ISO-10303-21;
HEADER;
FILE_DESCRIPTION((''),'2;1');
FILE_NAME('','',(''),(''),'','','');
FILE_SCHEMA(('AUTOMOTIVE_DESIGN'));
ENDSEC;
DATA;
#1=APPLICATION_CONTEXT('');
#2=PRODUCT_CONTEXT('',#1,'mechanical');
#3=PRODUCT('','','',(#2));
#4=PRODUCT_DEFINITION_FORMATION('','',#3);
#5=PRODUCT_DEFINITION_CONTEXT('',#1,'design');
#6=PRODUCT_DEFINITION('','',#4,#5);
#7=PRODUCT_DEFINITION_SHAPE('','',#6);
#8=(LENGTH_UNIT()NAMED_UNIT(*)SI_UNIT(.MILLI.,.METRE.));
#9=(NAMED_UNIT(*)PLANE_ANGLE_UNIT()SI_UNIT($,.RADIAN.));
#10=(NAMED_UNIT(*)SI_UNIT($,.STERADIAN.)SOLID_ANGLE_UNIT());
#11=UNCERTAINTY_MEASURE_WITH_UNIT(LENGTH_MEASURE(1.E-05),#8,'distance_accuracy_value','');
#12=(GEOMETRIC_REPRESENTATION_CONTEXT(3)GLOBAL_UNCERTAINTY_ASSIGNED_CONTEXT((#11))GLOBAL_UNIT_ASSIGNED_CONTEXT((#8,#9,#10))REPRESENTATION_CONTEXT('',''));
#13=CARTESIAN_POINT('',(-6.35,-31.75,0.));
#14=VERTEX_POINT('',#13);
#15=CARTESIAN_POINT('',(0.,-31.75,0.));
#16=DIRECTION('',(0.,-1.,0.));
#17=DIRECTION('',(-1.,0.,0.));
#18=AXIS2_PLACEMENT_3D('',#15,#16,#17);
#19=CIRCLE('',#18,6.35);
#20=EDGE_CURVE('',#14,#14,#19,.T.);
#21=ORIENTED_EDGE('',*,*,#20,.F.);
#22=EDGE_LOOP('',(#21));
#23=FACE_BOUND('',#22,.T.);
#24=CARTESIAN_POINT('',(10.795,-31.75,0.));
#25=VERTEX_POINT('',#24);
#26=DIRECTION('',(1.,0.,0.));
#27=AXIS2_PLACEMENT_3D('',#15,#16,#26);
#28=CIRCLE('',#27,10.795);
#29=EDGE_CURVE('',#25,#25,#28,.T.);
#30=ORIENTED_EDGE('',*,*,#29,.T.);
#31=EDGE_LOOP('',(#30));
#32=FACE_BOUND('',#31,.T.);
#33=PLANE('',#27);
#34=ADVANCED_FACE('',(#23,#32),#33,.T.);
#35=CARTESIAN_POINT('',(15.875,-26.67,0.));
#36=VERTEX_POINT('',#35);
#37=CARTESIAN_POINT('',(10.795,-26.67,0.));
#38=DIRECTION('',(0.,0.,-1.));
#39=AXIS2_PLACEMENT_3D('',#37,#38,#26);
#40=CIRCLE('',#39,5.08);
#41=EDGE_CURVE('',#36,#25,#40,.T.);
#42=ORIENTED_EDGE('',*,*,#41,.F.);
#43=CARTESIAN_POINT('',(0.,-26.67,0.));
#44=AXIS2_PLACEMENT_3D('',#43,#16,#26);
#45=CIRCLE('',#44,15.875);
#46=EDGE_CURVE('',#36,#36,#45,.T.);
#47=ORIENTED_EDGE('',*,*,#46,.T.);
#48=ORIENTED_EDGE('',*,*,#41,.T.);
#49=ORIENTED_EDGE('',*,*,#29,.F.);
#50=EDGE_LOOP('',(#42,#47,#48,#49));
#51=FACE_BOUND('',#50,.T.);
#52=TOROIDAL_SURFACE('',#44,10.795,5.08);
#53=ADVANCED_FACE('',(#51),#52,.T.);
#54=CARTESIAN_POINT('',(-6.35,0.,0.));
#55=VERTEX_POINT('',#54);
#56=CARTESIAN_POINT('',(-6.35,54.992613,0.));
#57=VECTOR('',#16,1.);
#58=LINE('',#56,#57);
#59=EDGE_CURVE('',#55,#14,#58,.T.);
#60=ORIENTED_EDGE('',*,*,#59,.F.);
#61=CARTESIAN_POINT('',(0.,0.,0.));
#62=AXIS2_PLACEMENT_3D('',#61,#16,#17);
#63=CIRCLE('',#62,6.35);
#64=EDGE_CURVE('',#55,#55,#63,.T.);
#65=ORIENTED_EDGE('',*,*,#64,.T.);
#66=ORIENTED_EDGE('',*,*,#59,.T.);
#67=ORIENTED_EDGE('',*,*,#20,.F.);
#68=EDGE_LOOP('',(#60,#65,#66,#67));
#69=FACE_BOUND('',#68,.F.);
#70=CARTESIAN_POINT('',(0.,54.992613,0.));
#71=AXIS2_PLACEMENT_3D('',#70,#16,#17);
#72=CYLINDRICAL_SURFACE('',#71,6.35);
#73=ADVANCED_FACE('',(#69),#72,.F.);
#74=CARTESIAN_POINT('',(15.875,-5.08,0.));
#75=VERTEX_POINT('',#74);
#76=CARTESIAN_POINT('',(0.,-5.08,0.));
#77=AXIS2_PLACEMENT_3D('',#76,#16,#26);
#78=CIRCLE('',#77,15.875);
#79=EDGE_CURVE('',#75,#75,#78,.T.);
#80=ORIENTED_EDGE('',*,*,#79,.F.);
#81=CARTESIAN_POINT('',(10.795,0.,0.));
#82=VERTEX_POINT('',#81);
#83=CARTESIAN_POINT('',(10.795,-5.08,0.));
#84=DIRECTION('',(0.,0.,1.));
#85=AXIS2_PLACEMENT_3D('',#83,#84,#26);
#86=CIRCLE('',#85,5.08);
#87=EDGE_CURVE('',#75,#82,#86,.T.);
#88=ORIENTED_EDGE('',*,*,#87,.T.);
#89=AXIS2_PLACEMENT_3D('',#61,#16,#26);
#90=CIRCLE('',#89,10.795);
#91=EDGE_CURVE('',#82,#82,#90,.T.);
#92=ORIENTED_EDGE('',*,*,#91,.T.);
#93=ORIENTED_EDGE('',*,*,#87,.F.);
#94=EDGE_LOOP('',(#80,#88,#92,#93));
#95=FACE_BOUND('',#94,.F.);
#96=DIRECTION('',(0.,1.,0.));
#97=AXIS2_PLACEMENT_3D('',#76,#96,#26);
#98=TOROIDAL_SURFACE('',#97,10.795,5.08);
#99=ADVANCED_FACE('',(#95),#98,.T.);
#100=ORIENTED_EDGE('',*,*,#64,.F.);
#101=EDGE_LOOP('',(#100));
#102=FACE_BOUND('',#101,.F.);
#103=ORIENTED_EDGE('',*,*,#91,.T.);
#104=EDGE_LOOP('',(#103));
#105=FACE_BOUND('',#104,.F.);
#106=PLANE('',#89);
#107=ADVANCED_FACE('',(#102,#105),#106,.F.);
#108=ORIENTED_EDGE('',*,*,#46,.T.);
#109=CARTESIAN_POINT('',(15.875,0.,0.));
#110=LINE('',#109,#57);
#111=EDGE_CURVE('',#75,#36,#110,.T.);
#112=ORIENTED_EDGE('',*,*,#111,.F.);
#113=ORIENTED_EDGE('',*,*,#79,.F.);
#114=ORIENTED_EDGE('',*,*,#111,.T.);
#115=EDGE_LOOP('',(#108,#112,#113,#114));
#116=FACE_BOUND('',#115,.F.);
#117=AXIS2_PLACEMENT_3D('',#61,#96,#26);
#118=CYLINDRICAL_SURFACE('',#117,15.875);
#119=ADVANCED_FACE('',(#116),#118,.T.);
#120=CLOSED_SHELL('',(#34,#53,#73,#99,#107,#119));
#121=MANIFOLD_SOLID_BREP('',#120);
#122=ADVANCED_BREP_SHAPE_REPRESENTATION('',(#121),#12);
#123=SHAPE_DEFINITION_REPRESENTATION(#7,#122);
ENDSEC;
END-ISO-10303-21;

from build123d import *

# Parameters (mm, degrees)
F0_R     = 15.875
F1_DEPTH = 31.75
F3_D     = 12.7
F4_R     = 5.08


with BuildPart() as f1:
    # F0 (on Front) → F1 (new body)
    with BuildSketch(Plane.XZ):
        Circle(F0_R)
    extrude(amount=F1_DEPTH)

    # F3 (through all)
    with Locations(Plane(origin=(0, 0, 0), x_dir=(1, 0, 0), z_dir=(0, 1, 0))):
        with Locations((0, 0)):
            Hole(F3_D / 2)

    # F4
    f4_edges = [f1.edges().sort_by_distance(p)[0] for p in [
        (-15.875, -31.75, 0),
        (-15.875, 0, 0),
    ]]
    fillet(f4_edges, radius=F4_R)


solid = f1.part
